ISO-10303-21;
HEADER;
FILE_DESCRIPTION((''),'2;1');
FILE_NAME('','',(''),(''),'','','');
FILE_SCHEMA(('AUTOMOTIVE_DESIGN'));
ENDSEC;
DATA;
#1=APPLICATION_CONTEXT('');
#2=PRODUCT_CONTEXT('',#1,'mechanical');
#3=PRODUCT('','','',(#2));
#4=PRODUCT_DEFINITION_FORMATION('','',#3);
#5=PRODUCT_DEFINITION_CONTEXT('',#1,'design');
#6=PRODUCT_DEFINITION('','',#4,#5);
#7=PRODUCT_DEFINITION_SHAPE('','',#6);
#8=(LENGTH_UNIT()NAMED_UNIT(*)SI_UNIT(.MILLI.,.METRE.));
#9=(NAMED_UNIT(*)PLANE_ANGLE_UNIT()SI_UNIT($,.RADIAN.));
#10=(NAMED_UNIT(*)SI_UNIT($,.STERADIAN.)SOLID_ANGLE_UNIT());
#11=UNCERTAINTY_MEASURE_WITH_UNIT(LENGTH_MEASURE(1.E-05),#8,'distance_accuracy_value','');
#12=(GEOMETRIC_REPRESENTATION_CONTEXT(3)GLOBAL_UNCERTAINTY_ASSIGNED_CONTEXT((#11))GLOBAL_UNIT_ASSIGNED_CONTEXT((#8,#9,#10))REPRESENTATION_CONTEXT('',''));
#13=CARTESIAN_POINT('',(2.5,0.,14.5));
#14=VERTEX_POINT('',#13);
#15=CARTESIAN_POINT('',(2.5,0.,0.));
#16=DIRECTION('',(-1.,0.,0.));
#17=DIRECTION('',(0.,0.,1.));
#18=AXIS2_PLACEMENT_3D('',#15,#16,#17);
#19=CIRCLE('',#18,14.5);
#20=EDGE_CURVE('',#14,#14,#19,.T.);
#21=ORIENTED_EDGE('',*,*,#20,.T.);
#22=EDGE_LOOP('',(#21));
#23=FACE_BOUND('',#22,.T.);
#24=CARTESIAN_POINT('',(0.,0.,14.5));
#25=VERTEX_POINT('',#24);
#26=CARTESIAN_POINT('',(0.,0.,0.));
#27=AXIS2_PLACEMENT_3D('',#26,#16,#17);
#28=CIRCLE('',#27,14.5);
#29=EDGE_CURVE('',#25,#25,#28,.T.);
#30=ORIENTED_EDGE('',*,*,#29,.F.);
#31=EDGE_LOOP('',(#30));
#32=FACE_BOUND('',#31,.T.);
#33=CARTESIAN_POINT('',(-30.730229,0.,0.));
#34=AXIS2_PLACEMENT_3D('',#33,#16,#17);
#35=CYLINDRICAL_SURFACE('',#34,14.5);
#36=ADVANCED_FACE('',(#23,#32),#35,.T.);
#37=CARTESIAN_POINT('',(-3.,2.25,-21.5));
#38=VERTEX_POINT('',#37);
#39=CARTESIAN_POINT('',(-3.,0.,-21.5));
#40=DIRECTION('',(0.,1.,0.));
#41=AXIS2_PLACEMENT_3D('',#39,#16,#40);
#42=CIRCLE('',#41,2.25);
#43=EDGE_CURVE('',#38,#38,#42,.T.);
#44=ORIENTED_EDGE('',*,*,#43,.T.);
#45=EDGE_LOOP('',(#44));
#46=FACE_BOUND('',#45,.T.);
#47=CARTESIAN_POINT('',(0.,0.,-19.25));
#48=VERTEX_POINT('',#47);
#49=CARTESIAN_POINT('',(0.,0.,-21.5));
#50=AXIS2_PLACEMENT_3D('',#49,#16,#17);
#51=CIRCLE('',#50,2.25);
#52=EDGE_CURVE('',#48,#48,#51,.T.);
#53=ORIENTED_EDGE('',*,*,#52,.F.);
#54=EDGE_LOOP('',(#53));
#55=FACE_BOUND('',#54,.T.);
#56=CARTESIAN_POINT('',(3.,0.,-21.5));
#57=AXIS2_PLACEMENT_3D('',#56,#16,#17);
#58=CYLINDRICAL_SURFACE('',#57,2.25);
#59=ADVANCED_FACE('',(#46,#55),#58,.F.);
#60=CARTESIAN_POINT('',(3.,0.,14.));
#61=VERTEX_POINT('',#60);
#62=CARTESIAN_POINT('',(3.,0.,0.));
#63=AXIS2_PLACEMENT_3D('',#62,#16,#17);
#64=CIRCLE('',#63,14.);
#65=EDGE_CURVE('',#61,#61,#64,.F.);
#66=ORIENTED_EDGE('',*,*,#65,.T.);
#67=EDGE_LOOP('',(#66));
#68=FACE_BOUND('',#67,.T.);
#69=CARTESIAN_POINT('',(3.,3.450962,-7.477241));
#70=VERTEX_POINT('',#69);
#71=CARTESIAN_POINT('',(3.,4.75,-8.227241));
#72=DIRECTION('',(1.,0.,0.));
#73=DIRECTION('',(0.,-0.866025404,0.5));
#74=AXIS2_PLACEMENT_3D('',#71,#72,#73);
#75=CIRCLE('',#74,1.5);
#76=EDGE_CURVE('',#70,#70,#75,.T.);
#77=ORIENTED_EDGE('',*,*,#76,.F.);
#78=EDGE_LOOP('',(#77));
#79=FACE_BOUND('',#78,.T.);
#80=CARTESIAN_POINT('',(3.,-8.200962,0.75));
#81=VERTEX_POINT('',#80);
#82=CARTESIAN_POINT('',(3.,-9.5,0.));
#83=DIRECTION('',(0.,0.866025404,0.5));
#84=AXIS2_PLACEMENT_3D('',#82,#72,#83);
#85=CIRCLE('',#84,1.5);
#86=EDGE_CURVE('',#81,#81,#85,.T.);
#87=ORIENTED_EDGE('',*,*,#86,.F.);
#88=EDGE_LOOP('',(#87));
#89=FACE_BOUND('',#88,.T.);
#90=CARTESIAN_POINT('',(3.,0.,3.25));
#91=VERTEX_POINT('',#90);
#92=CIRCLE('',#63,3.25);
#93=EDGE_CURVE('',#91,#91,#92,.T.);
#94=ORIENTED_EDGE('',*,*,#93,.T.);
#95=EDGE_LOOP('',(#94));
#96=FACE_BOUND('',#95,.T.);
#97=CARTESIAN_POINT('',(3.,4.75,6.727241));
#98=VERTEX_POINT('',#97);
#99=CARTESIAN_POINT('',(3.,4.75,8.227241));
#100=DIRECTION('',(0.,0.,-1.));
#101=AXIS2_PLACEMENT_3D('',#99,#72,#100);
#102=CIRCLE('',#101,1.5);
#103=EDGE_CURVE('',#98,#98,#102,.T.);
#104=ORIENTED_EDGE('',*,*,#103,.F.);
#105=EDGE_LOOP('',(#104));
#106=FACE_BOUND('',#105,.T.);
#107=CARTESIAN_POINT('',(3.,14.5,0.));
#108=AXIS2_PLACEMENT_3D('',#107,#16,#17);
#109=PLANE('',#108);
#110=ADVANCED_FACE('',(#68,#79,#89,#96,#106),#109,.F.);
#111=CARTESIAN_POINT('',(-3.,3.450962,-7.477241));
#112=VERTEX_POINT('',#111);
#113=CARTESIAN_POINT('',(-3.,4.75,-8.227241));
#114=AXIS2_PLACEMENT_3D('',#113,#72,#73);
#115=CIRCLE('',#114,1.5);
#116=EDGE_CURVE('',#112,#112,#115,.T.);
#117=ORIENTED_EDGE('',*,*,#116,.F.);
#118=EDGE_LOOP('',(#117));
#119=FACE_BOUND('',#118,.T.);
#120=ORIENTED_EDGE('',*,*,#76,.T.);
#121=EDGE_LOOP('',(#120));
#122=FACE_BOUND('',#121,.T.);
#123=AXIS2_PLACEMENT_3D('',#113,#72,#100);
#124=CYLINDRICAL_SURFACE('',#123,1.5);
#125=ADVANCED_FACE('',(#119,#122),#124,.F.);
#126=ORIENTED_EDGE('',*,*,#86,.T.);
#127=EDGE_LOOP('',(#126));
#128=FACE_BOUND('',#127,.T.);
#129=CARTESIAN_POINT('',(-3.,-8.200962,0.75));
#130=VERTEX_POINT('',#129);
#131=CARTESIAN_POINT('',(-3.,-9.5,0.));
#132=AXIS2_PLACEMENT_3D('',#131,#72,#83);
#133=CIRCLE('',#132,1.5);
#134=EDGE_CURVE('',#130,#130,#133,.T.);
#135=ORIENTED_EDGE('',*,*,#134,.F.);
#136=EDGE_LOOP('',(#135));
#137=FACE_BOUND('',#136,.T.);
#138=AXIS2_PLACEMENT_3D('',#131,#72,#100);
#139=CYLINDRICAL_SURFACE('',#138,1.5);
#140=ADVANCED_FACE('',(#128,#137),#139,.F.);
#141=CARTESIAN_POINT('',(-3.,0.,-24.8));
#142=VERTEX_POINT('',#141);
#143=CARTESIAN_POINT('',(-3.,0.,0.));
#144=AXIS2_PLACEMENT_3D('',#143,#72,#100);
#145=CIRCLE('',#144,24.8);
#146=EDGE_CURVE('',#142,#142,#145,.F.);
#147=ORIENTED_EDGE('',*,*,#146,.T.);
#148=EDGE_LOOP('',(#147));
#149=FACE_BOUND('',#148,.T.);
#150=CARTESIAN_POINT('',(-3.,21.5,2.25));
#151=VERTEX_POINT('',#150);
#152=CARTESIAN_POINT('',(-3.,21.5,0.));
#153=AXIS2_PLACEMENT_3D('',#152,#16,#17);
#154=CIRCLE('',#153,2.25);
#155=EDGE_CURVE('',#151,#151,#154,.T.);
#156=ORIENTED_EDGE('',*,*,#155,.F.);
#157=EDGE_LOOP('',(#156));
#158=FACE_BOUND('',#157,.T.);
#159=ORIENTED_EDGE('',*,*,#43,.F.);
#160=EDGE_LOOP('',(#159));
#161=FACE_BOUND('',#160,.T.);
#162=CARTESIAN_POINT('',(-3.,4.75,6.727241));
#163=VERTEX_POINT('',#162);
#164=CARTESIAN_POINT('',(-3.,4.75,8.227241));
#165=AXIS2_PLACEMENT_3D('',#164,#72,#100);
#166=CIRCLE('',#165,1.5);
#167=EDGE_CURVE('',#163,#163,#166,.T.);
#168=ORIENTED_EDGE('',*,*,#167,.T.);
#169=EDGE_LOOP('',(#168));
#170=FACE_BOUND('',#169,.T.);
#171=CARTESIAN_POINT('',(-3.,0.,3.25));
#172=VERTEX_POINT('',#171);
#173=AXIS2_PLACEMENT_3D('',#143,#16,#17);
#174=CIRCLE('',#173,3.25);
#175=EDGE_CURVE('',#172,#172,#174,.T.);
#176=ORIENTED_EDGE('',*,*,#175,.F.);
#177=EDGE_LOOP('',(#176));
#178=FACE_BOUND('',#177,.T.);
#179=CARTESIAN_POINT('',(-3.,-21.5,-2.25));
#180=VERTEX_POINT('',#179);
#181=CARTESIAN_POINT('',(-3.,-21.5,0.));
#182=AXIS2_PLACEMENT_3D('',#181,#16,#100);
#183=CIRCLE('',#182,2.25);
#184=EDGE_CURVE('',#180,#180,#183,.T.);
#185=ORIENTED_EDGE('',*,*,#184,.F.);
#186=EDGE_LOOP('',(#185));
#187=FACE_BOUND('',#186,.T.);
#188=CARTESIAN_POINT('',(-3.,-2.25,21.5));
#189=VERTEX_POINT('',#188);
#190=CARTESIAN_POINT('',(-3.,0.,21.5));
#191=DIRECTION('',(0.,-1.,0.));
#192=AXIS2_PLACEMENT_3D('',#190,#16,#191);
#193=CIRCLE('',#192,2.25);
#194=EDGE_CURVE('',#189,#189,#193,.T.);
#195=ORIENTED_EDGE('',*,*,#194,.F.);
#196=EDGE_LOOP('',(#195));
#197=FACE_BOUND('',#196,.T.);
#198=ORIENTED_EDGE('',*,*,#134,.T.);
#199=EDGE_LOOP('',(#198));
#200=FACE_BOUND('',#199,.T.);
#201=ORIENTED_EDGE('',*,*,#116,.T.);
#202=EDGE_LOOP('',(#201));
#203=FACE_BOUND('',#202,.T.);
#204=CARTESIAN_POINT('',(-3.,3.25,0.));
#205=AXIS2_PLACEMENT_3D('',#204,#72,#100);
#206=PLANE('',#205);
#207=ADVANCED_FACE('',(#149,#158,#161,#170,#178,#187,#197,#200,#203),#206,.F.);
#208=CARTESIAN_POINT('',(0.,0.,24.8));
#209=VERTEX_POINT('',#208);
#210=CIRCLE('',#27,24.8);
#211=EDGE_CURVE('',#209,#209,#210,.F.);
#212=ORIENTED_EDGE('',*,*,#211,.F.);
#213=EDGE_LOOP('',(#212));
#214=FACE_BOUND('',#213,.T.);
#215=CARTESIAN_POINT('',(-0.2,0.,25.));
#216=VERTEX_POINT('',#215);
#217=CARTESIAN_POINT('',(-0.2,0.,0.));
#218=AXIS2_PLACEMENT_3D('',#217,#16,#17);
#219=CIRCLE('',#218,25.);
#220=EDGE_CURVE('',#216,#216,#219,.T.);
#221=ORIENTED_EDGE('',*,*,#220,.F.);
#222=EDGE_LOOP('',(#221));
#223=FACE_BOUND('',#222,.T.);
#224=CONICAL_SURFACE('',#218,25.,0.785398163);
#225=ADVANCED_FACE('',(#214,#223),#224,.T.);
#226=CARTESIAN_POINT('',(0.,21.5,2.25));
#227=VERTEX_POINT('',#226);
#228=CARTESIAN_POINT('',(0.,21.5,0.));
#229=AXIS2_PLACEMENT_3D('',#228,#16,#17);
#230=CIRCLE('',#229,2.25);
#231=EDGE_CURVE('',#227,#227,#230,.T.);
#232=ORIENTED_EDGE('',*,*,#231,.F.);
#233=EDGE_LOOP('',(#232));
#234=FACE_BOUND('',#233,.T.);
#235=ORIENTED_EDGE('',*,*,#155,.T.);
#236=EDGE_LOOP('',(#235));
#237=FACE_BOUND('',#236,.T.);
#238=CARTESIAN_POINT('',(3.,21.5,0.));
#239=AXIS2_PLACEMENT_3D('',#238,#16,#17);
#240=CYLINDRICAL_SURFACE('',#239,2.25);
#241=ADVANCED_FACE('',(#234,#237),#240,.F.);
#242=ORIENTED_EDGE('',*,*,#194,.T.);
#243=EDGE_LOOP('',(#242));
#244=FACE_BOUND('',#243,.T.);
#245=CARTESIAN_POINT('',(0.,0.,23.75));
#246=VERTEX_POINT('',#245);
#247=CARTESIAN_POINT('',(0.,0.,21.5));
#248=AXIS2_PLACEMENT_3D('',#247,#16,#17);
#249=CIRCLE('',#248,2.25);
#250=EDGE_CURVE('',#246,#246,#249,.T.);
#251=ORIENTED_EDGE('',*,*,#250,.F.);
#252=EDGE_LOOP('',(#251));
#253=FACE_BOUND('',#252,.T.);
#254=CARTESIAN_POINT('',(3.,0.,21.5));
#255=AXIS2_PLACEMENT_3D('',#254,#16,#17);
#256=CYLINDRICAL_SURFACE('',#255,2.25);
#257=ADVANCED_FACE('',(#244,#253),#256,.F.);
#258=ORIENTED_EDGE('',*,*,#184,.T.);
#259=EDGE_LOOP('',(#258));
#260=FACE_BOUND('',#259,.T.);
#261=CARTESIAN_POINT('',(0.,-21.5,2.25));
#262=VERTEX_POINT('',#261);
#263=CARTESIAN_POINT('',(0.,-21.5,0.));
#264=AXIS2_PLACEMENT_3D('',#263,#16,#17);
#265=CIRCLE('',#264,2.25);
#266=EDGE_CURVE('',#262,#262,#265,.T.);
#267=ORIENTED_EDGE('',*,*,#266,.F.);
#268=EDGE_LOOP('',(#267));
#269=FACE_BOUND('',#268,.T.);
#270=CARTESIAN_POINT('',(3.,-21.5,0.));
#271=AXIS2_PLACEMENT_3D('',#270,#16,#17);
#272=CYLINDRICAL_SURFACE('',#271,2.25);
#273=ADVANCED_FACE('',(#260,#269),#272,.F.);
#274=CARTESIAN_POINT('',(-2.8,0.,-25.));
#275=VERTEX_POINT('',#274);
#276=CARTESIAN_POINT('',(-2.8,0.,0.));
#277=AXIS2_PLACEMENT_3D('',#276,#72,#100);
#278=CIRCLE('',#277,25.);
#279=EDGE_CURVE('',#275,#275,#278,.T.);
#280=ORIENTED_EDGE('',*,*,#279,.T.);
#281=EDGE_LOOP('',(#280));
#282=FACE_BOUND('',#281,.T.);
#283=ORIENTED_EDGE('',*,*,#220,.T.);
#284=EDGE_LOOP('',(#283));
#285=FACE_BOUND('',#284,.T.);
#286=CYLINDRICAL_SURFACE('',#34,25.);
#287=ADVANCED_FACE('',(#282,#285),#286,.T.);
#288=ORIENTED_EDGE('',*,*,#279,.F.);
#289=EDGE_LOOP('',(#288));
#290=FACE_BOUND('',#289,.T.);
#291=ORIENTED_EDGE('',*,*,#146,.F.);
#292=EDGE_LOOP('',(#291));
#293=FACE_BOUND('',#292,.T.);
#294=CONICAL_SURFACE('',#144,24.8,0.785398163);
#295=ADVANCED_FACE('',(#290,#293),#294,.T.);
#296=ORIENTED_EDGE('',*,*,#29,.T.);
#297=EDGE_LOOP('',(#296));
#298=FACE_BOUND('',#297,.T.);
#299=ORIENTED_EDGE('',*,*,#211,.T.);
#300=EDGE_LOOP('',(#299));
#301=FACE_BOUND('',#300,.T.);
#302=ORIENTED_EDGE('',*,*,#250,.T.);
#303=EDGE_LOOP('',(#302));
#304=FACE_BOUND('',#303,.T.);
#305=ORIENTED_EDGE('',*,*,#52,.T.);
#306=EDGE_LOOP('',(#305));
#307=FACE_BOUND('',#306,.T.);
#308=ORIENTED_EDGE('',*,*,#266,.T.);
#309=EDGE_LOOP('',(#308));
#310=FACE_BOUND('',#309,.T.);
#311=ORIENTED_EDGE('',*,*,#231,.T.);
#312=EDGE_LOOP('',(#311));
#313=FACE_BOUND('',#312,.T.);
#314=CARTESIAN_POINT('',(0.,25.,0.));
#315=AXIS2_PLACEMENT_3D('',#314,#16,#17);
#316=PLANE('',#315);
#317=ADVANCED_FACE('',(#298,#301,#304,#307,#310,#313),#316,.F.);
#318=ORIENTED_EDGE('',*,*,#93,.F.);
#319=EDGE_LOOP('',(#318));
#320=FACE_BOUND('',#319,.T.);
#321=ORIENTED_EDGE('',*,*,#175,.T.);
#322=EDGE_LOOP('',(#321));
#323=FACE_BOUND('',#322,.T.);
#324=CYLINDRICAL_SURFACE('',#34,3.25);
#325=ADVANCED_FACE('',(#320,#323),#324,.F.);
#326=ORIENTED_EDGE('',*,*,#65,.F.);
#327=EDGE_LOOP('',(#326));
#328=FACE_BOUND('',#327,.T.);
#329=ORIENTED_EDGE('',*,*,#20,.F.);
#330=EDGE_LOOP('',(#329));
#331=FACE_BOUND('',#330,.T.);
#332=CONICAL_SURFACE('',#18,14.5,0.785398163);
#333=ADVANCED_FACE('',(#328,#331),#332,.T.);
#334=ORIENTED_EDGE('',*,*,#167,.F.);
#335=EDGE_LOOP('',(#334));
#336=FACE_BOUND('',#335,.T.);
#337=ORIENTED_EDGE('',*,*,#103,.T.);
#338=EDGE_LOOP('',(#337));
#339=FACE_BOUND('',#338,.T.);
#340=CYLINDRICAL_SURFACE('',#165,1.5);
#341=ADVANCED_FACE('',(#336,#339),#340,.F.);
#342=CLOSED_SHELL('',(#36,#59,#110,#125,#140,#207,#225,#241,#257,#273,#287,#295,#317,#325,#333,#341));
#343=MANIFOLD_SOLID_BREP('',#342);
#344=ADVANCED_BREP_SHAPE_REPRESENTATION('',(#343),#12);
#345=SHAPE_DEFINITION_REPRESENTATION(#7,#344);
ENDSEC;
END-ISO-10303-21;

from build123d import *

# Parameters (mm, degrees)
CHANFREIN1_SIZE                    = 0.5
CHANFREIN2_SIZE                    = 0.2
ESQUISSE2_R                        = 1.5
TROU_DE_FIXATION_DU_MOTEUR_DEPTH   = 36.860842154
R_P_TITION_DES_3_TROUS_COUNT       = 3
ESQUISSE3_R                        = 2.25
TROU_DE_FIXATION_DE_LA_BRIDE_DEPTH = 36.860842154
R_P_TITION_DES_4_TROUS_COUNT       = 4


with BuildPart() as part:
    # Esquisse1 → Base-Révolution (revolve)
    with BuildSketch(Plane.XY):
        Polygon((-3, 3.25), (-3, 25), (0, 25), (0, 14.5), (3, 14.5), (3, 3.25), align=None)
    revolve(axis=Axis((-30.73022942, 0, 0), (1, 0, 0)))

    # Chanfrein1
    chanfrein1_edges = [part.edges().sort_by_distance(p)[0] for p in [
        (3, -14.5, 0),
    ]]
    chamfer(chanfrein1_edges, length=CHANFREIN1_SIZE)

    # Chanfrein2
    chanfrein2_edges = [part.edges().sort_by_distance(p)[0] for p in [
        (-3, -25, 0),
        (0, -25, 0),
    ]]
    chamfer(chanfrein2_edges, length=CHANFREIN2_SIZE)

    # Esquisse2 → Trou de fixation du moteur (cut, through all)
    with BuildSketch(Plane(origin=(3, 0, 0), x_dir=(0, 0, -1), z_dir=(1, 0, 0))):
        with Locations((-8.227241336, 4.75)):
            Circle(ESQUISSE2_R)
    trou_de_fixation_du_moteur = extrude(amount=-TROU_DE_FIXATION_DU_MOTEUR_DEPTH, mode=Mode.SUBTRACT)

    # Répétition des 3 trous: Trou de fixation du moteur ×3 about axis
    r_p_tition_des_3_trous_axis = Axis((19.26977058, 0, 0), (-1, 0, 0))
    for i in range(1, R_P_TITION_DES_3_TROUS_COUNT):
        add(trou_de_fixation_du_moteur.rotate(r_p_tition_des_3_trous_axis, i * 360 / R_P_TITION_DES_3_TROUS_COUNT), mode=Mode.SUBTRACT)

    # Esquisse3 → Trou de fixation de la bride (cut, through all)
    with BuildSketch(Plane.ZY.offset(3)):
        with Locations((0, 21.5)):
            Circle(ESQUISSE3_R)
    trou_de_fixation_de_la_bride = extrude(amount=-TROU_DE_FIXATION_DE_LA_BRIDE_DEPTH, mode=Mode.SUBTRACT)

    # Répétition des 4 trous: Trou de fixation de la bride ×4 about axis
    r_p_tition_des_4_trous_axis = Axis((19.26977058, 0, 0), (-1, 0, 0))
    for i in range(1, R_P_TITION_DES_4_TROUS_COUNT):
        add(trou_de_fixation_de_la_bride.rotate(r_p_tition_des_4_trous_axis, i * 360 / R_P_TITION_DES_4_TROUS_COUNT), mode=Mode.SUBTRACT)


solid = part.part
